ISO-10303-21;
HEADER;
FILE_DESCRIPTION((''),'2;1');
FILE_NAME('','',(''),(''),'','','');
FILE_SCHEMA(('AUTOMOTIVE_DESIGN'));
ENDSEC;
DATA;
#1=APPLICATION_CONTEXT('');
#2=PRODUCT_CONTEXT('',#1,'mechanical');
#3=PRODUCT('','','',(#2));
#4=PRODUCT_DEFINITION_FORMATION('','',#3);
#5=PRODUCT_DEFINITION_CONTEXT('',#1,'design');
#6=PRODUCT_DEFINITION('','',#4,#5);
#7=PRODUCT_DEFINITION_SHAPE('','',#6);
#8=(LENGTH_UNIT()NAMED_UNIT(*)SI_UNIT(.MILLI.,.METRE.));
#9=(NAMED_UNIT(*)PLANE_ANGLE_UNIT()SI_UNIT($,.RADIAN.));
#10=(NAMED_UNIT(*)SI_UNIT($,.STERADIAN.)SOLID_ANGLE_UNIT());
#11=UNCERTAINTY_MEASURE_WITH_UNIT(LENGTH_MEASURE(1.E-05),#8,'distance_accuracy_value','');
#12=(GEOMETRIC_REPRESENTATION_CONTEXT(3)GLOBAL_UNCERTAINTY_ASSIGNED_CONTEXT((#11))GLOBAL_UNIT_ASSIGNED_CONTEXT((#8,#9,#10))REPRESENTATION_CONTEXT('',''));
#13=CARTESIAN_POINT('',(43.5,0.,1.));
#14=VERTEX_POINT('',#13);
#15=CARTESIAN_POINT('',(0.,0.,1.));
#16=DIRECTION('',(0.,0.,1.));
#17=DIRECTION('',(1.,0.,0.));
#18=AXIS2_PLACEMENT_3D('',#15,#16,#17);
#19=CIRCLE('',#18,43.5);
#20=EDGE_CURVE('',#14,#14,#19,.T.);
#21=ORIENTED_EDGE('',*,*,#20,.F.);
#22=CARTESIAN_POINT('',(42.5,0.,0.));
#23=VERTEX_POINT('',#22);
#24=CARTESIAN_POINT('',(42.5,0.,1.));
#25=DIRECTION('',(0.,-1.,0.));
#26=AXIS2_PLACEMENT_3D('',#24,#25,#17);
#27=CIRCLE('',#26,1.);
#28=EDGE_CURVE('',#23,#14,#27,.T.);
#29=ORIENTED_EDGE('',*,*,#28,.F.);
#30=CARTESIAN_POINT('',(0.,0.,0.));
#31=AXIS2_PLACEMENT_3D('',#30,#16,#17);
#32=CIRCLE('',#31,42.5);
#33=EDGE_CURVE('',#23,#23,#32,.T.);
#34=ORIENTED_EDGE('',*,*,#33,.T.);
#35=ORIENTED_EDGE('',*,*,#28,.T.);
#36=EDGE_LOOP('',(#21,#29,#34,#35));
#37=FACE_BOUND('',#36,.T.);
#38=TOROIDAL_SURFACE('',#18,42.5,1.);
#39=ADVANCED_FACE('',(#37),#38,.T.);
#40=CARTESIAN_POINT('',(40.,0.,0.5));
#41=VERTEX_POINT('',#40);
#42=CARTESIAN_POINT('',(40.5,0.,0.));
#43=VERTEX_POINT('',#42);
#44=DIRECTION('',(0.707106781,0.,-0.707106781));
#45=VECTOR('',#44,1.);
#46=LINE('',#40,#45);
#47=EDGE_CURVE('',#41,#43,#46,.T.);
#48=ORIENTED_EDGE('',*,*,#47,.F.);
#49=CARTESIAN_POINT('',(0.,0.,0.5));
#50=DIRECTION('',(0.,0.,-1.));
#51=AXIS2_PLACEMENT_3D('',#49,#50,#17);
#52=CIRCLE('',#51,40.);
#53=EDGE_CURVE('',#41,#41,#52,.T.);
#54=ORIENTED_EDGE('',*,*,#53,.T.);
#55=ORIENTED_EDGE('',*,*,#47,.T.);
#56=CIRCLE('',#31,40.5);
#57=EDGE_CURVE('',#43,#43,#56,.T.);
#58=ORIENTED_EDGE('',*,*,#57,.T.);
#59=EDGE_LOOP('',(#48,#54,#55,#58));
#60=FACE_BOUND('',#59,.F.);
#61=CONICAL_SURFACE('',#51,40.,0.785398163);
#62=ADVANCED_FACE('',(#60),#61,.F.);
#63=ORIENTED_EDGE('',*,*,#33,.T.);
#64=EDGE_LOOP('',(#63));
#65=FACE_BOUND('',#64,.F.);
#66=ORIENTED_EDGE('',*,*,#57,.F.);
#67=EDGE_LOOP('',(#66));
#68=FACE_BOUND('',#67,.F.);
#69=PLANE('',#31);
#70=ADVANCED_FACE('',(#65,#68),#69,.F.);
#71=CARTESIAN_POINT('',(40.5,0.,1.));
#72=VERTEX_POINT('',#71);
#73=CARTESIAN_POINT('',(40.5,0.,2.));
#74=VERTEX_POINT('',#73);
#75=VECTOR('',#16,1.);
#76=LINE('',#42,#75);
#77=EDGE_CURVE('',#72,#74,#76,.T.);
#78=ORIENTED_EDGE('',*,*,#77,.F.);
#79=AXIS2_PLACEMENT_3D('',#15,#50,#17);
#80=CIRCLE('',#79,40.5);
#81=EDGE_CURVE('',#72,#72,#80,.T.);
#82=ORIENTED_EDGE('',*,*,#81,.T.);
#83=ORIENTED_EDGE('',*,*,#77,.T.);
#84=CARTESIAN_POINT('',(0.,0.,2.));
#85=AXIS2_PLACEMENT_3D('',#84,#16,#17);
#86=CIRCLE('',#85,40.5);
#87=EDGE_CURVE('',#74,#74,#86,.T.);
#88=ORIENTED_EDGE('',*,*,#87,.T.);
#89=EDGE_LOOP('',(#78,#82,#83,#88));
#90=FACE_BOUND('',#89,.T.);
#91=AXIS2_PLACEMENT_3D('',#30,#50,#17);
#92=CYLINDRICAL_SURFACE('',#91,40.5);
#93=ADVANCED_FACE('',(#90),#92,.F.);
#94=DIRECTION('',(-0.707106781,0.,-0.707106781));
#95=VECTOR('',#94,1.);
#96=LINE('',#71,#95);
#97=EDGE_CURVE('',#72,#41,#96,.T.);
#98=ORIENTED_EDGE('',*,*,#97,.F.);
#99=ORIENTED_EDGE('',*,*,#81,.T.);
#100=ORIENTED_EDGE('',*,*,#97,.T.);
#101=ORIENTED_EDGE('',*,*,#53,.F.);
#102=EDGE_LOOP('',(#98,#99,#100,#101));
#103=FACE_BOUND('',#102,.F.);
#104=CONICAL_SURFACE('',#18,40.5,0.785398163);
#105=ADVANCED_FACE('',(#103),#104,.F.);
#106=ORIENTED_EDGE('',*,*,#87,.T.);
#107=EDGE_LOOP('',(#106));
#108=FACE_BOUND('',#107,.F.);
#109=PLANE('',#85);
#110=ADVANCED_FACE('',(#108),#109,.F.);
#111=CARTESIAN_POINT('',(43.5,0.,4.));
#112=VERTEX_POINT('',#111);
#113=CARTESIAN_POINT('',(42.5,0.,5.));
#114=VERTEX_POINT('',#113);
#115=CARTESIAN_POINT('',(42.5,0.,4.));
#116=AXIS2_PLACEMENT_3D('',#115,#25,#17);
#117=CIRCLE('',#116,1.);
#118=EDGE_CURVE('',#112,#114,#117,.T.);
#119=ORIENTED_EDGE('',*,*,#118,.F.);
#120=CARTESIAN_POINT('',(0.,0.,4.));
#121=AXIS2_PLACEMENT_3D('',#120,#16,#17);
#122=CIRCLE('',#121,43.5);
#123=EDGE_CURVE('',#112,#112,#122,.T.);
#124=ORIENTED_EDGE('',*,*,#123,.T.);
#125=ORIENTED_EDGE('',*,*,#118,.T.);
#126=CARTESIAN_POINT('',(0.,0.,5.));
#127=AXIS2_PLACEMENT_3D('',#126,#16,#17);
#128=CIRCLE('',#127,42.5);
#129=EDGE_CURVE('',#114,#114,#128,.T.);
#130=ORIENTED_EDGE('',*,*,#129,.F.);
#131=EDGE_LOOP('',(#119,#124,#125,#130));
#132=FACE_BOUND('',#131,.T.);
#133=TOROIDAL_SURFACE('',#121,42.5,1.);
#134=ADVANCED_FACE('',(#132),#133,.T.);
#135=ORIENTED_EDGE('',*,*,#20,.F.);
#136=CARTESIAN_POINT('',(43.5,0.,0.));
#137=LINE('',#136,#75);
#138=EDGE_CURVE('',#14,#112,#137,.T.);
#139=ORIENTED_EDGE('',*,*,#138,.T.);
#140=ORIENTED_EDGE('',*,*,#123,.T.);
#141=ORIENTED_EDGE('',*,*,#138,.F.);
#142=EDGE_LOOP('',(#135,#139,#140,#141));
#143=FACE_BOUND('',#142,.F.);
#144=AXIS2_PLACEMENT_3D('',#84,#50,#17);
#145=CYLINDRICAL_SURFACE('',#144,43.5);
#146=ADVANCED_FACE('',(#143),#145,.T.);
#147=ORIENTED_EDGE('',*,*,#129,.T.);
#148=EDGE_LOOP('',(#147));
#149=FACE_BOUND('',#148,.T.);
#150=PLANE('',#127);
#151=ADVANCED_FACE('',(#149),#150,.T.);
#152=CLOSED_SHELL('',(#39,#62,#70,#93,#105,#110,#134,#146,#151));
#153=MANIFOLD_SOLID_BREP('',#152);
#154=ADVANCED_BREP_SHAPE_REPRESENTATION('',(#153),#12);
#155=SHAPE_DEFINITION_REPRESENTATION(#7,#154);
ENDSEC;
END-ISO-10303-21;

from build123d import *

# Parameters (mm, degrees)
F0_R     = 43.5
F0_R_2   = 40.5
F1_DEPTH = 2
F2_R     = 43.5
F3_DEPTH = 3
F6_R     = 1


with BuildPart() as f1:
    # F0 (on Top) → F1 (new body)
    with BuildSketch(Plane.XY):
        Circle(F0_R)
        Circle(F0_R_2, mode=Mode.SUBTRACT)
    extrude(amount=F1_DEPTH)

    # F2 (on face) → F3 (join)
    with BuildSketch(Plane.XY.offset(2)):
        Circle(F2_R)
    extrude(amount=F3_DEPTH)

    # F4 (on Front) → F5 (revolve)
    with BuildSketch(Plane.XZ):
        Polygon((40, 0.5), (40.5, 0), (40.5, 1), align=None)
    revolve(axis=Axis((0, 0, -3.5082), (0, 0, -1)))

    # F6
    f6_edges = [f1.edges().sort_by_distance(p)[0] for p in [
        (-43.5, 0, 5),
        (-43.5, 0, 0),
    ]]
    fillet(f6_edges, radius=F6_R)


solid = f1.part
